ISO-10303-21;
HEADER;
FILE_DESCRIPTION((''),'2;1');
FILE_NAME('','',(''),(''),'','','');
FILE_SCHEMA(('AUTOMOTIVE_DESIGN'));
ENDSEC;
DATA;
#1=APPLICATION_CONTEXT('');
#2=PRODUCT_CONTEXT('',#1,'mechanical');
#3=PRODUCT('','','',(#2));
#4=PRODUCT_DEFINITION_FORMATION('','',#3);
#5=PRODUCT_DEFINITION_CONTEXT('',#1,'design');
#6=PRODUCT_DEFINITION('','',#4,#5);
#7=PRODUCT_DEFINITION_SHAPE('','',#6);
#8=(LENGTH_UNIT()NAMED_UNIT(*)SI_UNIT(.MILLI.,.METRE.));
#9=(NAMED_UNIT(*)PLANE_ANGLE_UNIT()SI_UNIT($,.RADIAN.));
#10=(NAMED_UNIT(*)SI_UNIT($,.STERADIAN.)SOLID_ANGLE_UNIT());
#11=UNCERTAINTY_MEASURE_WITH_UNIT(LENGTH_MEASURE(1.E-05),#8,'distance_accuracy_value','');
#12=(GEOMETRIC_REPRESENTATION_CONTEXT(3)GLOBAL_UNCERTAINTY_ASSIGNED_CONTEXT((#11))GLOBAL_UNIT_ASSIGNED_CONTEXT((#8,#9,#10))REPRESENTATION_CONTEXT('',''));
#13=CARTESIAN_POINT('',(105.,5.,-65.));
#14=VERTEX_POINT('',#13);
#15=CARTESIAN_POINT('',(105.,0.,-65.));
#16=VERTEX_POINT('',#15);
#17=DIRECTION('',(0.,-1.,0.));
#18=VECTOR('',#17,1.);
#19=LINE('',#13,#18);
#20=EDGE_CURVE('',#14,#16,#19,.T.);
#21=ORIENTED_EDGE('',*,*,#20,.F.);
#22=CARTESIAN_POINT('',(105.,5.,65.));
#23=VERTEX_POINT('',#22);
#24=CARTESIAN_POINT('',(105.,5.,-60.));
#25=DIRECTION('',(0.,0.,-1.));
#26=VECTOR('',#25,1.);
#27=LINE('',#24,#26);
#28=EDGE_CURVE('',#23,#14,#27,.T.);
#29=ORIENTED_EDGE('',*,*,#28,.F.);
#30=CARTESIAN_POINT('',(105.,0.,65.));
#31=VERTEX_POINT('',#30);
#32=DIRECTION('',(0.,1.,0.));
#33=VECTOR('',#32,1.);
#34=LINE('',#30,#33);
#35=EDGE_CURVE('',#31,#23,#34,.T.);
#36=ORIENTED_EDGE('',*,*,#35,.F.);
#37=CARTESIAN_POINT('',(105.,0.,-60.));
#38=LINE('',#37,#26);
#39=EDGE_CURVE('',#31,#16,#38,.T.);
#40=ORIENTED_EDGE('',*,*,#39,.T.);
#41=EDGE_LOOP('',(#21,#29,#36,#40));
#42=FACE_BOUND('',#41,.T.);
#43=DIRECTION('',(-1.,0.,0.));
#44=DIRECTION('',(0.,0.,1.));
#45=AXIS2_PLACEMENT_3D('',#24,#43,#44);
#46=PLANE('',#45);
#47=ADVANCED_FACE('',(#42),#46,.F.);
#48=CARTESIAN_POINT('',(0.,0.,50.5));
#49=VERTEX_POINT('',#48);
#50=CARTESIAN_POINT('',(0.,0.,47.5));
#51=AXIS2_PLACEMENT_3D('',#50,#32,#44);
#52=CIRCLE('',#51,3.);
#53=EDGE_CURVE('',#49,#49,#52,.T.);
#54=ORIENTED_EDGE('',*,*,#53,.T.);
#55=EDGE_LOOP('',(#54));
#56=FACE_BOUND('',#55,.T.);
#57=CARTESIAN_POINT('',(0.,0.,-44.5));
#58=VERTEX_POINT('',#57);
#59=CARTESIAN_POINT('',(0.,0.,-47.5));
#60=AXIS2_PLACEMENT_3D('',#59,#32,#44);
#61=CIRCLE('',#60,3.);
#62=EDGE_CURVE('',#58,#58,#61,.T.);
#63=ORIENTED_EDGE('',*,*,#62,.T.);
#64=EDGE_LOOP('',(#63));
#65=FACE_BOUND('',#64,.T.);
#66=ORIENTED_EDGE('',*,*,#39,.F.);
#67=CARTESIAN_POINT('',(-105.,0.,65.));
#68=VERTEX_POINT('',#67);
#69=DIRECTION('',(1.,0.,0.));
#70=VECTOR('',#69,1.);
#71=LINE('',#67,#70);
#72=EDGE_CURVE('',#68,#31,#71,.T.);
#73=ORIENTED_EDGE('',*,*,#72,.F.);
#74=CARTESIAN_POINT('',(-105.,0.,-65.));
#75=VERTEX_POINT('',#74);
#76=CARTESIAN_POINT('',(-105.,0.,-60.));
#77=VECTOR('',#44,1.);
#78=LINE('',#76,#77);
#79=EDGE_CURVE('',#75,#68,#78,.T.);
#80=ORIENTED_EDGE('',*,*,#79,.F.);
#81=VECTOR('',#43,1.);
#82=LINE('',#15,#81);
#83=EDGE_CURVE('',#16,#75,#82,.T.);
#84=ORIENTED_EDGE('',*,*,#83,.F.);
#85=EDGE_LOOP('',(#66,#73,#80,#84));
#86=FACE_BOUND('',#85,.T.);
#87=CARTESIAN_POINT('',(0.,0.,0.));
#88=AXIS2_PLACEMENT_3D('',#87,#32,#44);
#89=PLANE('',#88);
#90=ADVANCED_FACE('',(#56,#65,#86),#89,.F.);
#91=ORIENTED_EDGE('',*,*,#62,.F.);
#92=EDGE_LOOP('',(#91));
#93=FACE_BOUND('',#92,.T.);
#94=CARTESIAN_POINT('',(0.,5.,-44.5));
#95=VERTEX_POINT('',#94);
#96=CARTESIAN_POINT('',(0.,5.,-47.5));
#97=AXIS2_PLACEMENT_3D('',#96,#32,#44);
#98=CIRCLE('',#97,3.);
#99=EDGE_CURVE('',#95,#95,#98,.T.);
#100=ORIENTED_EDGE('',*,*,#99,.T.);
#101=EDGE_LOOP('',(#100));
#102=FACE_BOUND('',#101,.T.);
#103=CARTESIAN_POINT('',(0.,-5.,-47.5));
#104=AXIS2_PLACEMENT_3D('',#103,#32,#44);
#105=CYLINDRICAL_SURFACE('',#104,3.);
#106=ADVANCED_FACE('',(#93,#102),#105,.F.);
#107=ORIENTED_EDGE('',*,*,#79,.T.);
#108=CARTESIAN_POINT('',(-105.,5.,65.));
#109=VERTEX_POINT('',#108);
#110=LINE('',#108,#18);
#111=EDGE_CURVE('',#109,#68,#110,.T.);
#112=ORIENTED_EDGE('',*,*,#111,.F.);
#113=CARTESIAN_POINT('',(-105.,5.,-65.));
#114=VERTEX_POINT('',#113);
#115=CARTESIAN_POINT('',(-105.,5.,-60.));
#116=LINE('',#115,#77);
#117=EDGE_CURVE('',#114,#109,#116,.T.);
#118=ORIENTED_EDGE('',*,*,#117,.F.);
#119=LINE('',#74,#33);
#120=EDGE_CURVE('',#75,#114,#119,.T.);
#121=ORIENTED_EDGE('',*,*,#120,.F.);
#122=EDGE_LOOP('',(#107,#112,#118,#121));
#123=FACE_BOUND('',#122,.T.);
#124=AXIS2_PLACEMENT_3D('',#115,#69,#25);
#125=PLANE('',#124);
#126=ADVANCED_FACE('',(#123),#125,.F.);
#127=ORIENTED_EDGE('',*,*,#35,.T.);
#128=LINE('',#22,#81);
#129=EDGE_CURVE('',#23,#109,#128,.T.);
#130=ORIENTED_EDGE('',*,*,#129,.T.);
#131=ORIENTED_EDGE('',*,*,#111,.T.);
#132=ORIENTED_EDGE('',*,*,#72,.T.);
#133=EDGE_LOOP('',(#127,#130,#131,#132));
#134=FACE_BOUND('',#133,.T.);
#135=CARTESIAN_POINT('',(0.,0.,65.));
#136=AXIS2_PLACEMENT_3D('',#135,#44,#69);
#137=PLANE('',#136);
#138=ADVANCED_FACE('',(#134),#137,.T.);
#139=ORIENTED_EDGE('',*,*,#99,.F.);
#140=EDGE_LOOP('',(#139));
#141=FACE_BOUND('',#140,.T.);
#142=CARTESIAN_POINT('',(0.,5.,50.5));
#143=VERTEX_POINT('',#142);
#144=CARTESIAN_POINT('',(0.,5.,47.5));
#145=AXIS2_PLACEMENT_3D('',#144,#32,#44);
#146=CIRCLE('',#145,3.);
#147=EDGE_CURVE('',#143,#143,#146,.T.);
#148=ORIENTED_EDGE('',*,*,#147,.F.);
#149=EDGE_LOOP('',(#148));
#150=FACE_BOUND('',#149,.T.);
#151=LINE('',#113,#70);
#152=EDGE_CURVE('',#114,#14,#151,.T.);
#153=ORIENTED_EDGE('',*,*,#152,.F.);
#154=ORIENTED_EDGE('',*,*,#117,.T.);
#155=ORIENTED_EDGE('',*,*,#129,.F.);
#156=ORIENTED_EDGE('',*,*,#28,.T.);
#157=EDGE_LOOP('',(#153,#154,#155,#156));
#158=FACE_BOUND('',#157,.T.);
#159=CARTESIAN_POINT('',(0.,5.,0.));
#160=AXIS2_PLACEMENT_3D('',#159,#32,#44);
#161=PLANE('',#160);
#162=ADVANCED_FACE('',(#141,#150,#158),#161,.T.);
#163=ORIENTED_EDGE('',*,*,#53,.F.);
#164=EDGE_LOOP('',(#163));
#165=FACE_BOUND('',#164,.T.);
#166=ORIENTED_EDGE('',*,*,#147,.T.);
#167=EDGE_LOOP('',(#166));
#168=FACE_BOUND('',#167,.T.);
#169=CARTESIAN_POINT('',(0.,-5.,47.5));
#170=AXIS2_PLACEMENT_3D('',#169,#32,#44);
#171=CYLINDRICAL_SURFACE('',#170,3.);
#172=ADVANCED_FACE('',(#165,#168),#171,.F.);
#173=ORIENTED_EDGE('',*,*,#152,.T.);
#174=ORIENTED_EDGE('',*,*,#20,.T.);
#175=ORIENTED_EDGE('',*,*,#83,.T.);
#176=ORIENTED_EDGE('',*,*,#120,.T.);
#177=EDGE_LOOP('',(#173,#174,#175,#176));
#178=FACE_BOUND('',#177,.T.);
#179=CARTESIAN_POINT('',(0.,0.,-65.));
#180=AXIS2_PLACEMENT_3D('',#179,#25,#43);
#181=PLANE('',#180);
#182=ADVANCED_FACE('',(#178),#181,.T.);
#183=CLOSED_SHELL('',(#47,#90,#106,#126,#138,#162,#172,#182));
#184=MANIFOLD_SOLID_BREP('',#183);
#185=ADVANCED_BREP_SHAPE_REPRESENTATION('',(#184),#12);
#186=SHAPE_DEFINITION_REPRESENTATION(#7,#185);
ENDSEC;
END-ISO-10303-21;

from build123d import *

# Parameters (mm, degrees)
SKETCH1_W           = 210
SKETCH1_H           = 120
BOSS_EXTRUDE1_DEPTH = 5
SKETCH3_R           = 3
CUT_EXTRUDE1_DEPTH  = 10
SKETCH4_W           = 210
SKETCH4_H           = 5
BOSS_EXTRUDE2_DEPTH = 5
SKETCH5_W           = 210
SKETCH5_H           = 5
BOSS_EXTRUDE3_DEPTH = 5


with BuildPart() as part:
    # Sketch1 → Boss-Extrude1 (new body)
    with BuildSketch(Plane(origin=(0, 0, 0), x_dir=(1, 0, 0), z_dir=(0, 1, 0))):
        Rectangle(SKETCH1_W, SKETCH1_H)
    extrude(amount=BOSS_EXTRUDE1_DEPTH)

    # Sketch3 → Cut-Extrude1 (cut)
    with BuildSketch(Plane(origin=(0, 5, 0), x_dir=(1, 0, 0), z_dir=(0, 1, 0))):
        with Locations(Location((0, 47.5, 0), (0, 0, 270))):
            Circle(SKETCH3_R)
        with Locations(Location((0, -47.5, 0), (0, 0, 270))):
            Circle(SKETCH3_R)
    extrude(amount=-CUT_EXTRUDE1_DEPTH, mode=Mode.SUBTRACT)

    # Sketch4 → Boss-Extrude2 (add)
    with BuildSketch(Plane.XY.offset(60)):
        with Locations((0, 2.5)):
            Rectangle(SKETCH4_W, SKETCH4_H)
    extrude(amount=BOSS_EXTRUDE2_DEPTH)

    # Sketch5 → Boss-Extrude3 (add)
    with BuildSketch(Plane(origin=(0, 0, -60), x_dir=(-1, 0, 0), z_dir=(0, 0, -1))):
        with Locations((0, 2.5)):
            Rectangle(SKETCH5_W, SKETCH5_H)
    extrude(amount=BOSS_EXTRUDE3_DEPTH)


solid = part.part
